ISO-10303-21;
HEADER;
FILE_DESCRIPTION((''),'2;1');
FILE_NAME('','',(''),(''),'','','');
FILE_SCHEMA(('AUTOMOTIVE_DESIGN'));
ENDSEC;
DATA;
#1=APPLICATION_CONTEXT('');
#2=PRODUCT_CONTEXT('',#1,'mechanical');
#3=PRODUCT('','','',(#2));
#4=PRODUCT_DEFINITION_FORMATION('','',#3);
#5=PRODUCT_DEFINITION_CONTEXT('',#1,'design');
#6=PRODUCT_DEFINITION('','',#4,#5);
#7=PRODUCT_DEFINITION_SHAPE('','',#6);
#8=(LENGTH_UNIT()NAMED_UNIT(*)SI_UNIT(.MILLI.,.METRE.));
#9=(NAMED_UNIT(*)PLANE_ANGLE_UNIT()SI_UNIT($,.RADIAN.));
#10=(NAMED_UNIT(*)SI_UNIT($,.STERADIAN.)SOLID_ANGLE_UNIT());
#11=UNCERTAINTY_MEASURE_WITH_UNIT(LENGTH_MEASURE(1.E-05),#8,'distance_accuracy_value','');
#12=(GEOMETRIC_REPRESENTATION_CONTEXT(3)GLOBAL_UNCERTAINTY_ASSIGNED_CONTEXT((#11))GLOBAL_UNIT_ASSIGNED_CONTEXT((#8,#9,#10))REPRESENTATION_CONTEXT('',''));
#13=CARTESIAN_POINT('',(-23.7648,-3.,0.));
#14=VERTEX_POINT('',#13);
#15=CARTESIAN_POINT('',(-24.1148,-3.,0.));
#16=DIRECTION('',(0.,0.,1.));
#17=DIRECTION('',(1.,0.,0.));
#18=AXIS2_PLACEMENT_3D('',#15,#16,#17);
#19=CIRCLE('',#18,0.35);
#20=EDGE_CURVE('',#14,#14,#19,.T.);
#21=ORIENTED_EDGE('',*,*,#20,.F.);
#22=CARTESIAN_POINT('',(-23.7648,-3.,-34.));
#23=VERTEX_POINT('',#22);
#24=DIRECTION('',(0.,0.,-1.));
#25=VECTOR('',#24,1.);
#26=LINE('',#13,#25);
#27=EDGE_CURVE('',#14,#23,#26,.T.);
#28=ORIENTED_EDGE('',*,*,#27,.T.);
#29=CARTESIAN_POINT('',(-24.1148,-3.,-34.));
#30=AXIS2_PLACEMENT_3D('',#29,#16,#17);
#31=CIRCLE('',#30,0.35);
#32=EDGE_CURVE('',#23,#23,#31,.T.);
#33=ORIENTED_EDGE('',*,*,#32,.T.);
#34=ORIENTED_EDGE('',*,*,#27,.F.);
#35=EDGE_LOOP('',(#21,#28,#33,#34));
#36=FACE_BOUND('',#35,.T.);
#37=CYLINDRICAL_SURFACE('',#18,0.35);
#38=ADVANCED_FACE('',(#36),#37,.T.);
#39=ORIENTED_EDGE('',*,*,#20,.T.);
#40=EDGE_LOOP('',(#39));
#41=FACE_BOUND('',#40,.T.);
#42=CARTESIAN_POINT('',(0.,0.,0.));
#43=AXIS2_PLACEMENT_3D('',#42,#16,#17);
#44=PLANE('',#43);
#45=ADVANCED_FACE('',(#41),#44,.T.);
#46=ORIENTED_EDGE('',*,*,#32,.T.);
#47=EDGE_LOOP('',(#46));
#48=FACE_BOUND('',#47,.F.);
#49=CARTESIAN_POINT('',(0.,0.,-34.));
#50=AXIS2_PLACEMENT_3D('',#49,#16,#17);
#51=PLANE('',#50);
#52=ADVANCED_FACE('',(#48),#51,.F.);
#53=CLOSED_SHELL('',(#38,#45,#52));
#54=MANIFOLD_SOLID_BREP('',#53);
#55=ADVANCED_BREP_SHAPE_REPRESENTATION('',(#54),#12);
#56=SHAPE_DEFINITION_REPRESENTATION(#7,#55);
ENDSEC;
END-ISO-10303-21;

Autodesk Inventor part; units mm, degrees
ref_plane "YZ Plane" through (0, 0, 0) normal (1, 0, 0) x (0, 1, 0)
ref_plane "XZ Plane" through (0, 0, 0) normal (0, 1, 0) x (-1, 0, 0)
ref_plane "XY Plane" through (0, 0, 0) normal (0, 0, 1) x (1, 0, 0)
sketch "Sketch1" plane through (0, 0, 0) normal (0, 0, 1) x (1, 0, 0)
  line L0 (0, 0) -> (-22, 0)
  line L1 (-22, 0) -> (-22, -10)
  line L2 (-22, -10) -> (0, -10)
  line L3 (0, -10) -> (0, 0)
  circle A0 centre (-24.1148, -3) radius 1
  line L4 (-22, -6.5922) -> (-24.8297, -3.6992)
  line L5 (-22, -3) -> (-24.1148, -3)
  circle A1 centre (-24.1148, -3) radius 0.5
  line L6 (-22, -0.2647) -> (-24.6952, -2.1857)
  circle A2 centre (-24.1148, -3) radius 0.35
  point P0 (-23.1148, -3)
  point P1 (-23.1148, -3)
  dimension "d0" = 22
  dimension "d1" = 10
  dimension "d2" = 2
  dimension "d3" = 1
  dimension "d4" = 0.7
extrude "Extrusion1" add sketch "Sketch1" against normal blind 34 contours A2
properties part number "cylinder"
